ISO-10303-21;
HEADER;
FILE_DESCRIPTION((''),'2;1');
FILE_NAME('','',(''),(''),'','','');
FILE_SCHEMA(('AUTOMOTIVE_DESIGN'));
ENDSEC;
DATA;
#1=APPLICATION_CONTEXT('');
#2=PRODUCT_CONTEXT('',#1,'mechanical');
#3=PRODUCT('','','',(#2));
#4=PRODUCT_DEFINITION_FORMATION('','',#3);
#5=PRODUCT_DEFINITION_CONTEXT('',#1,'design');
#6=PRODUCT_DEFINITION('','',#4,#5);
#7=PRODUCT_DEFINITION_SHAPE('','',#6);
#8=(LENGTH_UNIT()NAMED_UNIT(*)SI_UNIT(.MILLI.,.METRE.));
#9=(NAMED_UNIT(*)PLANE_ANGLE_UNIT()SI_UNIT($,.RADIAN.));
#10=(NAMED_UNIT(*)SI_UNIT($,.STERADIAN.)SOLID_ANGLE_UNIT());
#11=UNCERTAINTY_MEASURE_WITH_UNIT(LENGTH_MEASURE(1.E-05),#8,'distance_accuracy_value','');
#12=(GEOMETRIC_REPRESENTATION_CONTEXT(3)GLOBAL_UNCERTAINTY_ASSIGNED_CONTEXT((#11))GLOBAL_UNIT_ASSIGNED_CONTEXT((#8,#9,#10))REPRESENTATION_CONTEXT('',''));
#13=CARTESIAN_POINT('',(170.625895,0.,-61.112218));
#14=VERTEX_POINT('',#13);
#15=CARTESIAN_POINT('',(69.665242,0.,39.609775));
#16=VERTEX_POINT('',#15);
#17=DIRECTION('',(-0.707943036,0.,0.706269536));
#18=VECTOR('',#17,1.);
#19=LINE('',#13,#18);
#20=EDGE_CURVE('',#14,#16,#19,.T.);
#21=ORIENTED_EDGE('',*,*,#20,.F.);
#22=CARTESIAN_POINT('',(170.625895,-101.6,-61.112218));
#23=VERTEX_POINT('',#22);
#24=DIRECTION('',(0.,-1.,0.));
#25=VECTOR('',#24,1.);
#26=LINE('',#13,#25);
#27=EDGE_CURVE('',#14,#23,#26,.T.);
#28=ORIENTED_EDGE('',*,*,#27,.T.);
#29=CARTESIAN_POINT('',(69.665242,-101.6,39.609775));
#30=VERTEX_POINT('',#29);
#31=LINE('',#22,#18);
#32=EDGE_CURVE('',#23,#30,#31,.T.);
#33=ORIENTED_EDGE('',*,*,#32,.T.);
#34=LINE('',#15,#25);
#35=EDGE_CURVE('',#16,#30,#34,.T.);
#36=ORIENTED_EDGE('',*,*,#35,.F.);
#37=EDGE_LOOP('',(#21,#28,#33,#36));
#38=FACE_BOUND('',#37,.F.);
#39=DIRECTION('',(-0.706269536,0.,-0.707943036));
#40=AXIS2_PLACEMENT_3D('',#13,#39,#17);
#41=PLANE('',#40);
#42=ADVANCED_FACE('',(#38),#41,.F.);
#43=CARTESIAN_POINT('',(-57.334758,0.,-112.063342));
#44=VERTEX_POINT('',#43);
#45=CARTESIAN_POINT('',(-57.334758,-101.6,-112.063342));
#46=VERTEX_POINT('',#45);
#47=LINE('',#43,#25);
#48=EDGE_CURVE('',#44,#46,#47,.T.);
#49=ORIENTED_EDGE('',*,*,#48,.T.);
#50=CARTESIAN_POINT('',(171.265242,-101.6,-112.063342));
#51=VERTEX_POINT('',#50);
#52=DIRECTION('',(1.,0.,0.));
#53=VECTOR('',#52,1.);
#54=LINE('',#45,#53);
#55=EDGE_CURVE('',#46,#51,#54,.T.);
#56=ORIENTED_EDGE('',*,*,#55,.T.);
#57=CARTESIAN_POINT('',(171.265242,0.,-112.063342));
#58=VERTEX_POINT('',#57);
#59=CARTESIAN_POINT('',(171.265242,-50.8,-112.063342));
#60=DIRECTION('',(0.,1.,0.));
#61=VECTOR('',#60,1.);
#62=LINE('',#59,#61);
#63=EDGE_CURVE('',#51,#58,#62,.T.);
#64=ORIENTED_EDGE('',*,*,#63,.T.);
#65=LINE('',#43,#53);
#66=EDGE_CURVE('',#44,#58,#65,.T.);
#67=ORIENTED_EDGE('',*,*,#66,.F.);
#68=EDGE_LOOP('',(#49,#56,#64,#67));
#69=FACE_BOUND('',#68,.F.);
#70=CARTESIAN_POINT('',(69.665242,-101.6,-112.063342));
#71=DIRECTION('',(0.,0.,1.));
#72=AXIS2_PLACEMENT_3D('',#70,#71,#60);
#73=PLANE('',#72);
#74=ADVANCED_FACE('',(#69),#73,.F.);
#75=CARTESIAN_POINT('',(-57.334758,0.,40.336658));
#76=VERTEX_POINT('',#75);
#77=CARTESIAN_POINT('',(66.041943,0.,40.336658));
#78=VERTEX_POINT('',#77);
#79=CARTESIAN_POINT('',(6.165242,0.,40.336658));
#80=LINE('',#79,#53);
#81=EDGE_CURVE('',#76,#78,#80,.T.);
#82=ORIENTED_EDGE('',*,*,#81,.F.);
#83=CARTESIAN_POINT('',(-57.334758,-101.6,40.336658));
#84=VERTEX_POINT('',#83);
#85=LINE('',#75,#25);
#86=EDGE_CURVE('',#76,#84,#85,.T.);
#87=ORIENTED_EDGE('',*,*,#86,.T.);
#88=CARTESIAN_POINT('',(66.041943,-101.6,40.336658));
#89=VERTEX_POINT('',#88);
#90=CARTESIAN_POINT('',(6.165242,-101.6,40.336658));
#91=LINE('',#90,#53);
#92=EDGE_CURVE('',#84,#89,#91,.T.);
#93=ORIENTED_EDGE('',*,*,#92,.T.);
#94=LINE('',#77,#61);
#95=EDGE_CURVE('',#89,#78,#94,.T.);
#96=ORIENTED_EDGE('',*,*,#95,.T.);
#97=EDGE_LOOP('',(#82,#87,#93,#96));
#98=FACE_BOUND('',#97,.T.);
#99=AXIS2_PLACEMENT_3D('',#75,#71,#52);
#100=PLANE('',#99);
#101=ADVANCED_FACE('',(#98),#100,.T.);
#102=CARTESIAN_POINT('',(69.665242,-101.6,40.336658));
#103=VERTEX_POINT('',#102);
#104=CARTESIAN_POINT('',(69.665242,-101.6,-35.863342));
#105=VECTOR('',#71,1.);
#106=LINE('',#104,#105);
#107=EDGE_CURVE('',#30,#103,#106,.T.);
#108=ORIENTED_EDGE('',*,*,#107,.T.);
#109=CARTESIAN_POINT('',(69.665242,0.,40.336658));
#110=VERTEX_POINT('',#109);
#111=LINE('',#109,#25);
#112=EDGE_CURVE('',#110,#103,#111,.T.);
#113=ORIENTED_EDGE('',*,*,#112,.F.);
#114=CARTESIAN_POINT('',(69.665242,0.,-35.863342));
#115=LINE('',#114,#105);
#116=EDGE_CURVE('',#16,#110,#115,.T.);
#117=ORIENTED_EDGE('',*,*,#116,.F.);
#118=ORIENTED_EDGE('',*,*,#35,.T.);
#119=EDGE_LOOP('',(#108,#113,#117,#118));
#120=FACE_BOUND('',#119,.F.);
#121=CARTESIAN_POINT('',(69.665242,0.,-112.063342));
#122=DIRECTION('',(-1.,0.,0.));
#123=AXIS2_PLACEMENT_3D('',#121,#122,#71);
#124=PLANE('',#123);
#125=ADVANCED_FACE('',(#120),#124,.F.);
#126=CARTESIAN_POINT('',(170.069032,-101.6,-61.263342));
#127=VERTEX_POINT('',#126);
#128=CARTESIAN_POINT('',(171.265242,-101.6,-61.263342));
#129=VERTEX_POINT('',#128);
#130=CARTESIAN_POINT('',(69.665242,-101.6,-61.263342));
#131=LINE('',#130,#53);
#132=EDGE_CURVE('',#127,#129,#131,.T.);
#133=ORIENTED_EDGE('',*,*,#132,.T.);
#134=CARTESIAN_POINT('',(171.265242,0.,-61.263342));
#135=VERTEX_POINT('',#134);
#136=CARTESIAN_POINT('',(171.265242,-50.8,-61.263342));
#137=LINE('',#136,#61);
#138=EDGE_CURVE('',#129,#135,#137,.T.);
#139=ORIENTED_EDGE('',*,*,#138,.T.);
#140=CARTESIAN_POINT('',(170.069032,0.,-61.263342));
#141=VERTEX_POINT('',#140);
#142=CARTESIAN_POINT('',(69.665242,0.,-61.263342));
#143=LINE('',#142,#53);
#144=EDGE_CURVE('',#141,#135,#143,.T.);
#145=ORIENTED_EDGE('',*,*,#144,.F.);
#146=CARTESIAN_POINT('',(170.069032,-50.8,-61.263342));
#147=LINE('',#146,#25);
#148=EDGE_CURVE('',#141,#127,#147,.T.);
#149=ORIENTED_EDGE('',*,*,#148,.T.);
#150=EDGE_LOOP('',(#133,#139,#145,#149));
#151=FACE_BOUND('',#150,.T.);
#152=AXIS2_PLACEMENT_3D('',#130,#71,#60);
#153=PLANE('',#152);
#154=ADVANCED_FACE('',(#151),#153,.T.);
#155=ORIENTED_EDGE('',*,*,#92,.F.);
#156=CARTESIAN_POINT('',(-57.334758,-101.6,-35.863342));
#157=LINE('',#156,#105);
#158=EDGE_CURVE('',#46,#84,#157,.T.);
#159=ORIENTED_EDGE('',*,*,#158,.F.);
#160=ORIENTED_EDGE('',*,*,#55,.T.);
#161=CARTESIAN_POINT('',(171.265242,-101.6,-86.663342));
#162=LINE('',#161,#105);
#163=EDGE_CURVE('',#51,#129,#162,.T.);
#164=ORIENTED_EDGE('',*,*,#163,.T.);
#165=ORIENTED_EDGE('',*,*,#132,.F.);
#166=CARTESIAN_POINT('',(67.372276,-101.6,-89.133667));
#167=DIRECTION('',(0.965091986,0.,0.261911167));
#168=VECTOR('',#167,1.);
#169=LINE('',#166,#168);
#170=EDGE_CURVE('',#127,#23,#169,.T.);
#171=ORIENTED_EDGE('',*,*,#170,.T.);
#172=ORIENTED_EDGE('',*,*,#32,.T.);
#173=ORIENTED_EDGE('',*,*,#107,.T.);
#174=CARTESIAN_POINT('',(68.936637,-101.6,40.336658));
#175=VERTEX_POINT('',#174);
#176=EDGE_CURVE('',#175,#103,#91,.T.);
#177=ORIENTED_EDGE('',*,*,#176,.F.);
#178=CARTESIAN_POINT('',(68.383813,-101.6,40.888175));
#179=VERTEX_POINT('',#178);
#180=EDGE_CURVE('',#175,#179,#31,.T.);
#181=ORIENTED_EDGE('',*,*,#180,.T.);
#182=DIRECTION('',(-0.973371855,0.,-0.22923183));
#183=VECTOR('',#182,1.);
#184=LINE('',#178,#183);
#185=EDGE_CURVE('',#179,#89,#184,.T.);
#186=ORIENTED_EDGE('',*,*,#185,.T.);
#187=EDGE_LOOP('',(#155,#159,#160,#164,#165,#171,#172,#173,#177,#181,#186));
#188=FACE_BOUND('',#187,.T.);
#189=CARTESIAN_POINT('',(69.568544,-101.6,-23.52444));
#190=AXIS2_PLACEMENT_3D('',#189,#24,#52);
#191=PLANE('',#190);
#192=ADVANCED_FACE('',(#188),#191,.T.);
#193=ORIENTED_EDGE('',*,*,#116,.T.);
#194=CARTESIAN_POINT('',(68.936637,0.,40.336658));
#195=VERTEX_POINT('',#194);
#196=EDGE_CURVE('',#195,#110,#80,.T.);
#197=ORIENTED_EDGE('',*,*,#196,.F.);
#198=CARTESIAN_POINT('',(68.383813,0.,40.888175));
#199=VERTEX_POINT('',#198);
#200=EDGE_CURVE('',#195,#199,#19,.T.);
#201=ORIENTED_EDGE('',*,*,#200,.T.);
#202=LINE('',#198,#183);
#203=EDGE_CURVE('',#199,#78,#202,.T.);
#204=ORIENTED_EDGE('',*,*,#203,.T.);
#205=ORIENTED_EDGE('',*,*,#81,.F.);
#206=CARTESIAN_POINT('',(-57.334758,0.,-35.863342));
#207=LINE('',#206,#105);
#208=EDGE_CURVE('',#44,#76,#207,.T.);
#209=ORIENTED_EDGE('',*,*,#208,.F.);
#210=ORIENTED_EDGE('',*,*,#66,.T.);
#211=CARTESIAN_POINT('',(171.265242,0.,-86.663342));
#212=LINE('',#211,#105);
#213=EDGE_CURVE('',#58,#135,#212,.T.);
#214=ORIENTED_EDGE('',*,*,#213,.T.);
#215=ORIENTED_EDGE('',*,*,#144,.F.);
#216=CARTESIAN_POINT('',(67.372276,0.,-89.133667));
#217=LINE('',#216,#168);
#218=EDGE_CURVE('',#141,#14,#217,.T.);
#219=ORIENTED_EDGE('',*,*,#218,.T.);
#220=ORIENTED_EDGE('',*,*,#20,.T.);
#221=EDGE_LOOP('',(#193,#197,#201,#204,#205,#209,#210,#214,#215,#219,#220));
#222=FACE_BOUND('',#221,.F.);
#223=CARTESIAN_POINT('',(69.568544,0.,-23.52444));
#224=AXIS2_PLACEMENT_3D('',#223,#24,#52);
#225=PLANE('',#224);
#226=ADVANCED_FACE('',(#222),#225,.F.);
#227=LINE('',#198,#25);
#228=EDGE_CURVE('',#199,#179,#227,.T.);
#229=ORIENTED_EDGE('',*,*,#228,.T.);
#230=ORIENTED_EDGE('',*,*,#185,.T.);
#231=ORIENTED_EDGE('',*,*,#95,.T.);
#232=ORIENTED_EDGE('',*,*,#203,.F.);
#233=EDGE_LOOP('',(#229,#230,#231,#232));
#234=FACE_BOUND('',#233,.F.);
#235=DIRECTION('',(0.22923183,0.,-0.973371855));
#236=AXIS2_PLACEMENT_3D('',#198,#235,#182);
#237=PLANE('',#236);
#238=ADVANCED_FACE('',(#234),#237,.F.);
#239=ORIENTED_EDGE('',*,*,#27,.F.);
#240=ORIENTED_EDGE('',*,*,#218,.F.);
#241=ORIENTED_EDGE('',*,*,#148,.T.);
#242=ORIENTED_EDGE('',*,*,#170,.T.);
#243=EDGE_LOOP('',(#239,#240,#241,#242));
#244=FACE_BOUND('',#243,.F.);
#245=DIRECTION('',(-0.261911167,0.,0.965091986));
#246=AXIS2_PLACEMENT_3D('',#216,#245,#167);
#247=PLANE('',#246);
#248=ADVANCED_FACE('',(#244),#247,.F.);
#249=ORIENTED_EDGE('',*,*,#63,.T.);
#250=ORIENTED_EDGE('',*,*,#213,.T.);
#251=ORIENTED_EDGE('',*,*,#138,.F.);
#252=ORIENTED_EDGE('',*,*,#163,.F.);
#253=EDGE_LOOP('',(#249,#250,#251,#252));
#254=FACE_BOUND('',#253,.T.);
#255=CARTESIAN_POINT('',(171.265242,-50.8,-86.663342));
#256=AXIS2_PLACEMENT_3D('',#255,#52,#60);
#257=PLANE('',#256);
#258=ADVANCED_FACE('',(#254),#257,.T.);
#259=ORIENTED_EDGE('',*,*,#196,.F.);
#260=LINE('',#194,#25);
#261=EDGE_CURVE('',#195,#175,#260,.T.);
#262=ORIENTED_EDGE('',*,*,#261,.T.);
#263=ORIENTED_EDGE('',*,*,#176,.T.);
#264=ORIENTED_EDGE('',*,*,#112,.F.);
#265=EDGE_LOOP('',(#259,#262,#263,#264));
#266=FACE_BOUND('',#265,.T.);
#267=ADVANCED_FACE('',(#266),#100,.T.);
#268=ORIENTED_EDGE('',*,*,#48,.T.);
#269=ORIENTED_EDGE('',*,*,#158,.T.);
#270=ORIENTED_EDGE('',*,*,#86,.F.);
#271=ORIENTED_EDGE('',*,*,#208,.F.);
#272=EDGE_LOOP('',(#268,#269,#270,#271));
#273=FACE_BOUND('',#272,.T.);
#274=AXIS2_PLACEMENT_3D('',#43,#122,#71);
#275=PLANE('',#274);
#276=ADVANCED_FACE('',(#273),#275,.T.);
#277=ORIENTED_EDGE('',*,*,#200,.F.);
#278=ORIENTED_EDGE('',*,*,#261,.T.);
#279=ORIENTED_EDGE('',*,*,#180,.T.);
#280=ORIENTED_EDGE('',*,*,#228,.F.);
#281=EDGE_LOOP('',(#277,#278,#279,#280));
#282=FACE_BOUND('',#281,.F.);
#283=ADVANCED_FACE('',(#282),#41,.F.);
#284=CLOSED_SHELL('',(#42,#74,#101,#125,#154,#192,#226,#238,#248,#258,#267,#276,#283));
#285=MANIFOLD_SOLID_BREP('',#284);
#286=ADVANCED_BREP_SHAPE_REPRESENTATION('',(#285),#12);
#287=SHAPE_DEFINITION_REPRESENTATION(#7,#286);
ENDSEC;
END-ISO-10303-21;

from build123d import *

# Parameters (mm, degrees)
F0_W     = 127
F0_H     = 152.4
F1_DEPTH = 101.6
F2_W     = 101.6
F2_H     = 50.8
F3_DEPTH = 101.6
F5_DEPTH = 101.6


with BuildPart() as f1:
    # F0 (on Front) → F1 (new body)
    with BuildSketch(Plane.XZ):
        with Locations((6.165242, -35.863342)):
            Rectangle(F0_W, F0_H)
    extrude(amount=F1_DEPTH)

    # F2 (on face) → F3 (join)
    with BuildSketch(Plane.YZ.offset(69.665242)):
        with Locations((-50.8, -86.663342)):
            Rectangle(F2_W, F2_H)
    extrude(amount=F3_DEPTH)

    # F4 (on Front) → F5 (join)
    with BuildSketch(Plane.XZ):
        Polygon((68.383813, 40.888175), (-30.263531, 17.656446), (67.372276, -89.133667), (170.625895, -61.112218), align=None)
    extrude(amount=F5_DEPTH)


solid = f1.part
